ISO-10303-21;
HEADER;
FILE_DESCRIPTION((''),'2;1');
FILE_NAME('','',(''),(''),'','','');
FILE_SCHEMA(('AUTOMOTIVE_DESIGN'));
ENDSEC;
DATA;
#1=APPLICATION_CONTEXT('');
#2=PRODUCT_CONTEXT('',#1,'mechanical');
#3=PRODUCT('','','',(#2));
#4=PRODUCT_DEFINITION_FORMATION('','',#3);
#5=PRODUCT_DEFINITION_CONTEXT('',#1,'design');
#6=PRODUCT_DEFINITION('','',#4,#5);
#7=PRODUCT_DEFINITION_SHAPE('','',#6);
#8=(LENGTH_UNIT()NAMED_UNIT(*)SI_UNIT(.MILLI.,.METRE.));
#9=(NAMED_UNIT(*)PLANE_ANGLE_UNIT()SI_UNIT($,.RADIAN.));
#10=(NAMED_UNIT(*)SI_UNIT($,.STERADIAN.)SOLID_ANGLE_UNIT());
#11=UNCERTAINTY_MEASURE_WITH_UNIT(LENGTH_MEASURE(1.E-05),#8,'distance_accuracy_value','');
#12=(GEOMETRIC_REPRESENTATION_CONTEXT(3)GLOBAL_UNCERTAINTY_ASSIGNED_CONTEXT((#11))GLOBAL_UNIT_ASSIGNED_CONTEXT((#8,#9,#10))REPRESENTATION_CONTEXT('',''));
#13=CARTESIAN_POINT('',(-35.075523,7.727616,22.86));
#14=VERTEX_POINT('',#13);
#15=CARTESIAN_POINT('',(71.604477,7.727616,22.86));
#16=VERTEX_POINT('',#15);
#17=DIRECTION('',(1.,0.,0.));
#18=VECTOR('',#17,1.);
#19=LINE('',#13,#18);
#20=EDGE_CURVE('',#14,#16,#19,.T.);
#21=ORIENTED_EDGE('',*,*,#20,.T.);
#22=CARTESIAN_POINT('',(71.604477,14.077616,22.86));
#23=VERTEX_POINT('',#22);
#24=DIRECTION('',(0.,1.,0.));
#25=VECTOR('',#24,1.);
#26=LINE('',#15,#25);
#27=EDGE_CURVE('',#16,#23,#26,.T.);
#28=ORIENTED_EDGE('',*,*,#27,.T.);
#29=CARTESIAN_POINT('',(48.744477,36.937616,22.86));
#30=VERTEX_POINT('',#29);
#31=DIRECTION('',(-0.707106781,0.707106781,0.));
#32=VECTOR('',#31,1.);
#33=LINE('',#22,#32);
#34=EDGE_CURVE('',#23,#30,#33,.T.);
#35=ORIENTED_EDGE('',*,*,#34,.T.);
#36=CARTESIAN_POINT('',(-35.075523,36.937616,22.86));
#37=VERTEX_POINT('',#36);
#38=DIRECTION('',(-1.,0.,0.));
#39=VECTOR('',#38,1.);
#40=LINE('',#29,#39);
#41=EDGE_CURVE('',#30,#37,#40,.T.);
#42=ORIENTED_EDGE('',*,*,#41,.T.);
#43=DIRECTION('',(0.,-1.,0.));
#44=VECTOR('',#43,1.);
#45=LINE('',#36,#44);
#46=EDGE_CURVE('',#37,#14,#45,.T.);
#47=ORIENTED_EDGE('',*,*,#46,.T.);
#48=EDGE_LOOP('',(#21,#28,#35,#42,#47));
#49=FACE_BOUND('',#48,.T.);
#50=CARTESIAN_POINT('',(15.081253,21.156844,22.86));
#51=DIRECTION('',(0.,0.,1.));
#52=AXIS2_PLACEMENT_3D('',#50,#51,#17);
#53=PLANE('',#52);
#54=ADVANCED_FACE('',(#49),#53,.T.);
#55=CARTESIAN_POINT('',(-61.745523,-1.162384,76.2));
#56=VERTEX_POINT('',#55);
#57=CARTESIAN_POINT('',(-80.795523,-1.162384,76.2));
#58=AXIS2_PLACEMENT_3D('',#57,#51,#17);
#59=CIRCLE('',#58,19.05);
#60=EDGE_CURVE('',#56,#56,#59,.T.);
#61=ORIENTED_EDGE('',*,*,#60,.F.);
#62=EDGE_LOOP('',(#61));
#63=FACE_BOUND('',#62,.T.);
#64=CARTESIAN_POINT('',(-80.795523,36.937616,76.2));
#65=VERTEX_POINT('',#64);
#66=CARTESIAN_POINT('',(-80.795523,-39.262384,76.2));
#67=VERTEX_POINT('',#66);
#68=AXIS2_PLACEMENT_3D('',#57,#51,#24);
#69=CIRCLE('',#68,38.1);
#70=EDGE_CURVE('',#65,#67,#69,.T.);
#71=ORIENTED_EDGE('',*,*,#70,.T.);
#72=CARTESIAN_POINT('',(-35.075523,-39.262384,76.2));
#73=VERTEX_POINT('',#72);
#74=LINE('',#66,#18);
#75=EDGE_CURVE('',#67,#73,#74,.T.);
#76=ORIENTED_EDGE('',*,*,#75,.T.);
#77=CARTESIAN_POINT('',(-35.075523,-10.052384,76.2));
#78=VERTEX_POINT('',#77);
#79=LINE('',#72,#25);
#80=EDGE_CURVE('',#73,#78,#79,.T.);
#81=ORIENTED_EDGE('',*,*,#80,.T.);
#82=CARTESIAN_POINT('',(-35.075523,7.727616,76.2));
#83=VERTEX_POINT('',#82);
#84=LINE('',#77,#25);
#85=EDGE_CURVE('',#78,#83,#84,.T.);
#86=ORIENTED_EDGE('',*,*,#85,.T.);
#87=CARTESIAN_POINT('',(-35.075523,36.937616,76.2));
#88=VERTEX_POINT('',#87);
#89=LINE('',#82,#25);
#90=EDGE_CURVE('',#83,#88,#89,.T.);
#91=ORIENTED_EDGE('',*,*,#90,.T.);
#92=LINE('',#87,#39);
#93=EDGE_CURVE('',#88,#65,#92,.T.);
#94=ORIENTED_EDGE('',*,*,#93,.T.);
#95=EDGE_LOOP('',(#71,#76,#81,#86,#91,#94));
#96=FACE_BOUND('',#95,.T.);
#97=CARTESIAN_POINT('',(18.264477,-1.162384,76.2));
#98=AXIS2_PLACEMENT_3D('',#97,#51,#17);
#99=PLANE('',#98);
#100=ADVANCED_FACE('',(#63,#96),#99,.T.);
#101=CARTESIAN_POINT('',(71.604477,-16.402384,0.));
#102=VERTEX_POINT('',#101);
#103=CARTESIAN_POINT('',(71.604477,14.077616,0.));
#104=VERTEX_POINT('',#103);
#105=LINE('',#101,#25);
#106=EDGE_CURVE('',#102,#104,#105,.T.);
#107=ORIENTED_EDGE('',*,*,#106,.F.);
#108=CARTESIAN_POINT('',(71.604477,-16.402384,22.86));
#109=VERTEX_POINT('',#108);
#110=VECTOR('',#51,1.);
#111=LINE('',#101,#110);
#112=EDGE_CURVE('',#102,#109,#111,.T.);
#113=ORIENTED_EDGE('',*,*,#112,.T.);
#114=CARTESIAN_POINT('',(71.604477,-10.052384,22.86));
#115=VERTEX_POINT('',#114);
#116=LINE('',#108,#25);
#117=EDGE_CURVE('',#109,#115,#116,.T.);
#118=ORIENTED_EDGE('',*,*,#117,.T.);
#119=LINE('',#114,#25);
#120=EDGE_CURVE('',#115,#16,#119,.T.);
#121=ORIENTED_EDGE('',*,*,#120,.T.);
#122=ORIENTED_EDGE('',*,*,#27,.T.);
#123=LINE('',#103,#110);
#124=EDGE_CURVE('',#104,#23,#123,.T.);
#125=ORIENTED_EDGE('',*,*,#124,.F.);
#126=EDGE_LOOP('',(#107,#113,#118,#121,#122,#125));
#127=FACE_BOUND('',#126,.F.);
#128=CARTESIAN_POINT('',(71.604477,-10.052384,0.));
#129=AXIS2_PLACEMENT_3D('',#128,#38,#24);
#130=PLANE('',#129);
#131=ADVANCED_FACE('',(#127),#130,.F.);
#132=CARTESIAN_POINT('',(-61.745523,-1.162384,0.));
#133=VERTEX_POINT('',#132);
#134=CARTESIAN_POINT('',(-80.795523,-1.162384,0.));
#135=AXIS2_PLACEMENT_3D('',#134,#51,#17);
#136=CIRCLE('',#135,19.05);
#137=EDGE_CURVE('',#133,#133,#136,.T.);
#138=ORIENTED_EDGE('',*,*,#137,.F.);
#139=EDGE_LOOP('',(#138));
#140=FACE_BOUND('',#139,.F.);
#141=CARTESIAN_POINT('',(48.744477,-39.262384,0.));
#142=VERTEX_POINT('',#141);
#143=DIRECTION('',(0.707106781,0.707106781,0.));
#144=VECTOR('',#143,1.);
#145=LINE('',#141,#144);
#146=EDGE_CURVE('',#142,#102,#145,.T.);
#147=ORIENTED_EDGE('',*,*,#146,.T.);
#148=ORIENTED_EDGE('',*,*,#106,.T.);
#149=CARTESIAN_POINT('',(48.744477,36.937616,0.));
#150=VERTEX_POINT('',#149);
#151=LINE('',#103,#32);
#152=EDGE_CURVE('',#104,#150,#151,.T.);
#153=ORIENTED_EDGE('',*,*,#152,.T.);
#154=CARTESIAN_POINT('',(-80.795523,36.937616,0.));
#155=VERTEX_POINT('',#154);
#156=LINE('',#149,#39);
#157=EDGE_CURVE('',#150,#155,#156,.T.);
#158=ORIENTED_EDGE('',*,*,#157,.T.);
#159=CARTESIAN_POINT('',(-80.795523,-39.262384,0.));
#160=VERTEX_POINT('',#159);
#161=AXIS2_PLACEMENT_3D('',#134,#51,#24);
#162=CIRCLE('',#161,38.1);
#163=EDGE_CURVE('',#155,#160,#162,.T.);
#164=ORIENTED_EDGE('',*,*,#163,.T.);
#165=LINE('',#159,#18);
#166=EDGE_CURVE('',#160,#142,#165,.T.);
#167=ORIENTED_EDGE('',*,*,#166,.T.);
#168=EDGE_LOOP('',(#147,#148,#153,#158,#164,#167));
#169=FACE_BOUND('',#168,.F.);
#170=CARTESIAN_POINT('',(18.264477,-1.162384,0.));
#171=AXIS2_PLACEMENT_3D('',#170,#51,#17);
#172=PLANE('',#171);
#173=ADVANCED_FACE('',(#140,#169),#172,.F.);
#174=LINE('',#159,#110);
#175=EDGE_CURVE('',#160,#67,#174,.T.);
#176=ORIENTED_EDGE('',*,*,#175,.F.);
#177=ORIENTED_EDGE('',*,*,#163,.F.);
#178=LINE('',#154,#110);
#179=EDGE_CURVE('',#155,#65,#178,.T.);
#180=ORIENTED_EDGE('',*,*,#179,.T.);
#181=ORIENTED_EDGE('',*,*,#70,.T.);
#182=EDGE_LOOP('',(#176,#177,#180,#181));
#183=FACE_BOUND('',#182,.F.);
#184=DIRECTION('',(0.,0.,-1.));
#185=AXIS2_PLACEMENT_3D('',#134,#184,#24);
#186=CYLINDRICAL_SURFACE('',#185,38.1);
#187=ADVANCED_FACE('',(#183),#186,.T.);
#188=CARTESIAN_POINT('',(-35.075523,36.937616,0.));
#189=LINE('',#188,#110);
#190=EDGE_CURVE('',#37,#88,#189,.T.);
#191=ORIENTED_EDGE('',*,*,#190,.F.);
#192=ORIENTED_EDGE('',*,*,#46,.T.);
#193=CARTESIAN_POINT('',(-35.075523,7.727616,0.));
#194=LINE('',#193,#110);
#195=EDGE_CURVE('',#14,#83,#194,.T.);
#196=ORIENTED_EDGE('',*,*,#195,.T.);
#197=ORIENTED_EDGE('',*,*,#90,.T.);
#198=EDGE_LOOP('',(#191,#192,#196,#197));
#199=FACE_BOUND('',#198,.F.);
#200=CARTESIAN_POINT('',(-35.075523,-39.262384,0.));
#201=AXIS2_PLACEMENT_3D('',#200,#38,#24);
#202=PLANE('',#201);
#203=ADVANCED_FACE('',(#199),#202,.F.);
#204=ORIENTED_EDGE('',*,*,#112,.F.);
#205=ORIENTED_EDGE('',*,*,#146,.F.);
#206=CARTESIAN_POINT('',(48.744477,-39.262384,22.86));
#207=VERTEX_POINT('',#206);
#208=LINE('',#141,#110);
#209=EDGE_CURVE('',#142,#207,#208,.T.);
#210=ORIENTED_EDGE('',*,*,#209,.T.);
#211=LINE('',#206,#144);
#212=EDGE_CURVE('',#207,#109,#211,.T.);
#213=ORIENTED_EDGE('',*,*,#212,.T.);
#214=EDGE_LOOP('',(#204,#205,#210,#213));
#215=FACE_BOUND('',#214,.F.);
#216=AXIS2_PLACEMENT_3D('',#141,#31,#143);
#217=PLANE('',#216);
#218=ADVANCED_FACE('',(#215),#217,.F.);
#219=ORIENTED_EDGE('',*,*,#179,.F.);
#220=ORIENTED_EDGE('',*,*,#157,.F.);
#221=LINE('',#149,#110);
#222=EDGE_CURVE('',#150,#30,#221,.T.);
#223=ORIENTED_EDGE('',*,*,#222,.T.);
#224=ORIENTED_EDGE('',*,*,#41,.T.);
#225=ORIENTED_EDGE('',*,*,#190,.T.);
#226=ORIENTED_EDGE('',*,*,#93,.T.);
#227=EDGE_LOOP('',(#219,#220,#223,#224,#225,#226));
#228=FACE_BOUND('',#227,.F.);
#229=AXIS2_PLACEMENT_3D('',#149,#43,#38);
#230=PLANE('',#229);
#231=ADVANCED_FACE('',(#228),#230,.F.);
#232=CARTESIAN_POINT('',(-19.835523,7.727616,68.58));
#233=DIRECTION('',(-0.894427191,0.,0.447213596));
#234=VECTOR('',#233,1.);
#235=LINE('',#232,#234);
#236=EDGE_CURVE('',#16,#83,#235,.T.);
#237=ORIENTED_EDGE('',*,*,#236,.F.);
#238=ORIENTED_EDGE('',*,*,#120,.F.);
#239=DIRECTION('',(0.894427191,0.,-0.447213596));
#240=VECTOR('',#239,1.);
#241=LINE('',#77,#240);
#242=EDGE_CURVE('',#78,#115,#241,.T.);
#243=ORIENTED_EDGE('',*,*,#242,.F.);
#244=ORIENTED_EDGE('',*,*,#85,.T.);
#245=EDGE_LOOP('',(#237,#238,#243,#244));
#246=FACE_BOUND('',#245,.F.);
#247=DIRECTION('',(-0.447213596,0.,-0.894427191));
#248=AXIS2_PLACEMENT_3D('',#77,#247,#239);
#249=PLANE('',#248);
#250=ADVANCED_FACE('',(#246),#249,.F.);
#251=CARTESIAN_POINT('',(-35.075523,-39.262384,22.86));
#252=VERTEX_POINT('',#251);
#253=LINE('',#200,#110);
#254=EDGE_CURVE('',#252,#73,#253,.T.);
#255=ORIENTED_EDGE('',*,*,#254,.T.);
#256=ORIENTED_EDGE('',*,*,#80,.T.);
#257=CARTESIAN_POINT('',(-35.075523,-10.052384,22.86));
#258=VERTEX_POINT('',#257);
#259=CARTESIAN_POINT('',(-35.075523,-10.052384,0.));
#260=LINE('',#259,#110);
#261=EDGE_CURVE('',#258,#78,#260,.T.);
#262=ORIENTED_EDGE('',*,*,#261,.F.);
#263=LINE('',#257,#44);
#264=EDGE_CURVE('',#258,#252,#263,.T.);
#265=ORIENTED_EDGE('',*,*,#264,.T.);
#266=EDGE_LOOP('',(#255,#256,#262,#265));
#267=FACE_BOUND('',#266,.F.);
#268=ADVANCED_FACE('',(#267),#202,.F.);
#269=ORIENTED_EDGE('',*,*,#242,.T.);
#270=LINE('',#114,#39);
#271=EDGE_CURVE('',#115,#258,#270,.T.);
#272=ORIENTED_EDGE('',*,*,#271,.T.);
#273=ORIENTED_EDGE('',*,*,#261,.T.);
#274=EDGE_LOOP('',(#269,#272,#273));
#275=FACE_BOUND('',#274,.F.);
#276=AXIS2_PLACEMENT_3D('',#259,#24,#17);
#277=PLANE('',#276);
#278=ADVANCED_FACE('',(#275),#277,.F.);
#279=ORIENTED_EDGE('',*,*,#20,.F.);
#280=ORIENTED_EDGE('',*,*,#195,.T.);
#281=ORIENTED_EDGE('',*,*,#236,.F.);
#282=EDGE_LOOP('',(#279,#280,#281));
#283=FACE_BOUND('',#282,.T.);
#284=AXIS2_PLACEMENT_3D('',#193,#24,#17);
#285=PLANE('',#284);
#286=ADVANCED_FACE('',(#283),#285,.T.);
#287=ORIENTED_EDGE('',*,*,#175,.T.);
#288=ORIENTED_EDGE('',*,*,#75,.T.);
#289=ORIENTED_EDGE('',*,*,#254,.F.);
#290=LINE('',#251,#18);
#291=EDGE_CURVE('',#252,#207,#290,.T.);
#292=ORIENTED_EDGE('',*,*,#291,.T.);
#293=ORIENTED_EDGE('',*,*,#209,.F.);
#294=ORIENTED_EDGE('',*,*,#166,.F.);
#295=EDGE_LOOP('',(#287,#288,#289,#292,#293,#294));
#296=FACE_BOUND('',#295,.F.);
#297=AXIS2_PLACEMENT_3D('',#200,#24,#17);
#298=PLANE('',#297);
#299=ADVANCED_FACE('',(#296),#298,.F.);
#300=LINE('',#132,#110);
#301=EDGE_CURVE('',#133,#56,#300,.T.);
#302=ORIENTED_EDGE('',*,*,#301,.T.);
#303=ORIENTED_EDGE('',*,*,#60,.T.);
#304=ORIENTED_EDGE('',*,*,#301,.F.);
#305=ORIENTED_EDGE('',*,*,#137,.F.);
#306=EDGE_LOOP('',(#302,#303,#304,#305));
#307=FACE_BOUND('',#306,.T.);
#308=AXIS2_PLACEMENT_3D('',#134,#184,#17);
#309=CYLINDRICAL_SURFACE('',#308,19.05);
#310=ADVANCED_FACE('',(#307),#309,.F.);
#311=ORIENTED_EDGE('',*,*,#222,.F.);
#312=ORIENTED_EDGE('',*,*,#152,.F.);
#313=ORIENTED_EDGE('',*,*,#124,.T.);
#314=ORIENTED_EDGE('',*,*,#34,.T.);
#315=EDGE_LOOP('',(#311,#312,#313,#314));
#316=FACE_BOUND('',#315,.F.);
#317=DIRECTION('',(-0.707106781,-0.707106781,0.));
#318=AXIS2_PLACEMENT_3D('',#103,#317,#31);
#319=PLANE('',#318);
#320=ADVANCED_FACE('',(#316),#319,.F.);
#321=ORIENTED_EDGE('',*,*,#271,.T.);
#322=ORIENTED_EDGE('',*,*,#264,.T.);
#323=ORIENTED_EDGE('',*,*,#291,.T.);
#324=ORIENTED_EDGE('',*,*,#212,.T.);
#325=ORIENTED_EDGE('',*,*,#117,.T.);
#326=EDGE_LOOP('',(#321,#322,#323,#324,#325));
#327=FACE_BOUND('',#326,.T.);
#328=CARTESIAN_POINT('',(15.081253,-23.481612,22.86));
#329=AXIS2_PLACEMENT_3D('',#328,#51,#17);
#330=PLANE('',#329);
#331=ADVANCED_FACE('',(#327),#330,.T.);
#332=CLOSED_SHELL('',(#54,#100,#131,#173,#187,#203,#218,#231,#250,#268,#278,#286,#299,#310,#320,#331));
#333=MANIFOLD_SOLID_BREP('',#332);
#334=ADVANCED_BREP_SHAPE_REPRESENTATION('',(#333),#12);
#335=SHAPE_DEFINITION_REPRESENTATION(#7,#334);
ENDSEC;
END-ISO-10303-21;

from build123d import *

# Parameters (mm, degrees)
F0_R     = 19.05
F1_DEPTH = 76.2
F2_DEPTH = 22.86
F3_DEPTH = 22.86
F0_W     = 106.68
F0_H     = 17.78
F4_DEPTH = 76.2
F6_DEPTH = 25.4


with BuildPart() as f1:
    # F0 (on Top) → F1 (new body)
    with BuildSketch(Plane.XY):
        with BuildLine():
            Line((-35.075523, 36.937616), (-80.795523, 36.937616))
            ThreePointArc((-80.795523, 36.937616), (-118.895523, -1.162384), (-80.795523, -39.262384))
            Line((-80.795523, -39.262384), (-35.075523, -39.262384))
            Line((-35.075523, -39.262384), (-35.075523, -10.052384))
            Line((-35.075523, -10.052384), (-35.075523, 7.727616))
            Line((-35.075523, 7.727616), (-35.075523, 36.937616))
        make_face()
        with Locations((-80.795523, -1.162384)):
            Circle(F0_R, mode=Mode.SUBTRACT)
    extrude(amount=F1_DEPTH)

    # F0 (on Top) → F2 (join)
    with BuildSketch(Plane.XY):
        Polygon((-35.075523, -10.052384), (-35.075523, -39.262384), (48.744477, -39.262384), (71.604477, -16.402384), (71.604477, -10.052384), align=None)
    extrude(amount=F2_DEPTH)

    # F0 (on Top) → F3 (join)
    with BuildSketch(Plane.XY):
        Polygon((48.744477, 36.937616), (-35.075523, 36.937616), (-35.075523, 7.727616), (71.604477, 7.727616), (71.604477, 14.077616), align=None)
    extrude(amount=F3_DEPTH)

    # F0 (on Top) → F4 (join)
    with BuildSketch(Plane.XY):
        with Locations((18.264477, -1.162384)):
            Rectangle(F0_W, F0_H)
    extrude(amount=F4_DEPTH)

    # F5 (on face) → F6 (cut)
    with BuildSketch(Plane.XZ.offset(10.052384)):
        Polygon((71.604477, 76.2), (-35.075523, 76.2), (71.604477, 22.86), align=None)
    extrude(amount=-F6_DEPTH, mode=Mode.SUBTRACT)


solid = f1.part
